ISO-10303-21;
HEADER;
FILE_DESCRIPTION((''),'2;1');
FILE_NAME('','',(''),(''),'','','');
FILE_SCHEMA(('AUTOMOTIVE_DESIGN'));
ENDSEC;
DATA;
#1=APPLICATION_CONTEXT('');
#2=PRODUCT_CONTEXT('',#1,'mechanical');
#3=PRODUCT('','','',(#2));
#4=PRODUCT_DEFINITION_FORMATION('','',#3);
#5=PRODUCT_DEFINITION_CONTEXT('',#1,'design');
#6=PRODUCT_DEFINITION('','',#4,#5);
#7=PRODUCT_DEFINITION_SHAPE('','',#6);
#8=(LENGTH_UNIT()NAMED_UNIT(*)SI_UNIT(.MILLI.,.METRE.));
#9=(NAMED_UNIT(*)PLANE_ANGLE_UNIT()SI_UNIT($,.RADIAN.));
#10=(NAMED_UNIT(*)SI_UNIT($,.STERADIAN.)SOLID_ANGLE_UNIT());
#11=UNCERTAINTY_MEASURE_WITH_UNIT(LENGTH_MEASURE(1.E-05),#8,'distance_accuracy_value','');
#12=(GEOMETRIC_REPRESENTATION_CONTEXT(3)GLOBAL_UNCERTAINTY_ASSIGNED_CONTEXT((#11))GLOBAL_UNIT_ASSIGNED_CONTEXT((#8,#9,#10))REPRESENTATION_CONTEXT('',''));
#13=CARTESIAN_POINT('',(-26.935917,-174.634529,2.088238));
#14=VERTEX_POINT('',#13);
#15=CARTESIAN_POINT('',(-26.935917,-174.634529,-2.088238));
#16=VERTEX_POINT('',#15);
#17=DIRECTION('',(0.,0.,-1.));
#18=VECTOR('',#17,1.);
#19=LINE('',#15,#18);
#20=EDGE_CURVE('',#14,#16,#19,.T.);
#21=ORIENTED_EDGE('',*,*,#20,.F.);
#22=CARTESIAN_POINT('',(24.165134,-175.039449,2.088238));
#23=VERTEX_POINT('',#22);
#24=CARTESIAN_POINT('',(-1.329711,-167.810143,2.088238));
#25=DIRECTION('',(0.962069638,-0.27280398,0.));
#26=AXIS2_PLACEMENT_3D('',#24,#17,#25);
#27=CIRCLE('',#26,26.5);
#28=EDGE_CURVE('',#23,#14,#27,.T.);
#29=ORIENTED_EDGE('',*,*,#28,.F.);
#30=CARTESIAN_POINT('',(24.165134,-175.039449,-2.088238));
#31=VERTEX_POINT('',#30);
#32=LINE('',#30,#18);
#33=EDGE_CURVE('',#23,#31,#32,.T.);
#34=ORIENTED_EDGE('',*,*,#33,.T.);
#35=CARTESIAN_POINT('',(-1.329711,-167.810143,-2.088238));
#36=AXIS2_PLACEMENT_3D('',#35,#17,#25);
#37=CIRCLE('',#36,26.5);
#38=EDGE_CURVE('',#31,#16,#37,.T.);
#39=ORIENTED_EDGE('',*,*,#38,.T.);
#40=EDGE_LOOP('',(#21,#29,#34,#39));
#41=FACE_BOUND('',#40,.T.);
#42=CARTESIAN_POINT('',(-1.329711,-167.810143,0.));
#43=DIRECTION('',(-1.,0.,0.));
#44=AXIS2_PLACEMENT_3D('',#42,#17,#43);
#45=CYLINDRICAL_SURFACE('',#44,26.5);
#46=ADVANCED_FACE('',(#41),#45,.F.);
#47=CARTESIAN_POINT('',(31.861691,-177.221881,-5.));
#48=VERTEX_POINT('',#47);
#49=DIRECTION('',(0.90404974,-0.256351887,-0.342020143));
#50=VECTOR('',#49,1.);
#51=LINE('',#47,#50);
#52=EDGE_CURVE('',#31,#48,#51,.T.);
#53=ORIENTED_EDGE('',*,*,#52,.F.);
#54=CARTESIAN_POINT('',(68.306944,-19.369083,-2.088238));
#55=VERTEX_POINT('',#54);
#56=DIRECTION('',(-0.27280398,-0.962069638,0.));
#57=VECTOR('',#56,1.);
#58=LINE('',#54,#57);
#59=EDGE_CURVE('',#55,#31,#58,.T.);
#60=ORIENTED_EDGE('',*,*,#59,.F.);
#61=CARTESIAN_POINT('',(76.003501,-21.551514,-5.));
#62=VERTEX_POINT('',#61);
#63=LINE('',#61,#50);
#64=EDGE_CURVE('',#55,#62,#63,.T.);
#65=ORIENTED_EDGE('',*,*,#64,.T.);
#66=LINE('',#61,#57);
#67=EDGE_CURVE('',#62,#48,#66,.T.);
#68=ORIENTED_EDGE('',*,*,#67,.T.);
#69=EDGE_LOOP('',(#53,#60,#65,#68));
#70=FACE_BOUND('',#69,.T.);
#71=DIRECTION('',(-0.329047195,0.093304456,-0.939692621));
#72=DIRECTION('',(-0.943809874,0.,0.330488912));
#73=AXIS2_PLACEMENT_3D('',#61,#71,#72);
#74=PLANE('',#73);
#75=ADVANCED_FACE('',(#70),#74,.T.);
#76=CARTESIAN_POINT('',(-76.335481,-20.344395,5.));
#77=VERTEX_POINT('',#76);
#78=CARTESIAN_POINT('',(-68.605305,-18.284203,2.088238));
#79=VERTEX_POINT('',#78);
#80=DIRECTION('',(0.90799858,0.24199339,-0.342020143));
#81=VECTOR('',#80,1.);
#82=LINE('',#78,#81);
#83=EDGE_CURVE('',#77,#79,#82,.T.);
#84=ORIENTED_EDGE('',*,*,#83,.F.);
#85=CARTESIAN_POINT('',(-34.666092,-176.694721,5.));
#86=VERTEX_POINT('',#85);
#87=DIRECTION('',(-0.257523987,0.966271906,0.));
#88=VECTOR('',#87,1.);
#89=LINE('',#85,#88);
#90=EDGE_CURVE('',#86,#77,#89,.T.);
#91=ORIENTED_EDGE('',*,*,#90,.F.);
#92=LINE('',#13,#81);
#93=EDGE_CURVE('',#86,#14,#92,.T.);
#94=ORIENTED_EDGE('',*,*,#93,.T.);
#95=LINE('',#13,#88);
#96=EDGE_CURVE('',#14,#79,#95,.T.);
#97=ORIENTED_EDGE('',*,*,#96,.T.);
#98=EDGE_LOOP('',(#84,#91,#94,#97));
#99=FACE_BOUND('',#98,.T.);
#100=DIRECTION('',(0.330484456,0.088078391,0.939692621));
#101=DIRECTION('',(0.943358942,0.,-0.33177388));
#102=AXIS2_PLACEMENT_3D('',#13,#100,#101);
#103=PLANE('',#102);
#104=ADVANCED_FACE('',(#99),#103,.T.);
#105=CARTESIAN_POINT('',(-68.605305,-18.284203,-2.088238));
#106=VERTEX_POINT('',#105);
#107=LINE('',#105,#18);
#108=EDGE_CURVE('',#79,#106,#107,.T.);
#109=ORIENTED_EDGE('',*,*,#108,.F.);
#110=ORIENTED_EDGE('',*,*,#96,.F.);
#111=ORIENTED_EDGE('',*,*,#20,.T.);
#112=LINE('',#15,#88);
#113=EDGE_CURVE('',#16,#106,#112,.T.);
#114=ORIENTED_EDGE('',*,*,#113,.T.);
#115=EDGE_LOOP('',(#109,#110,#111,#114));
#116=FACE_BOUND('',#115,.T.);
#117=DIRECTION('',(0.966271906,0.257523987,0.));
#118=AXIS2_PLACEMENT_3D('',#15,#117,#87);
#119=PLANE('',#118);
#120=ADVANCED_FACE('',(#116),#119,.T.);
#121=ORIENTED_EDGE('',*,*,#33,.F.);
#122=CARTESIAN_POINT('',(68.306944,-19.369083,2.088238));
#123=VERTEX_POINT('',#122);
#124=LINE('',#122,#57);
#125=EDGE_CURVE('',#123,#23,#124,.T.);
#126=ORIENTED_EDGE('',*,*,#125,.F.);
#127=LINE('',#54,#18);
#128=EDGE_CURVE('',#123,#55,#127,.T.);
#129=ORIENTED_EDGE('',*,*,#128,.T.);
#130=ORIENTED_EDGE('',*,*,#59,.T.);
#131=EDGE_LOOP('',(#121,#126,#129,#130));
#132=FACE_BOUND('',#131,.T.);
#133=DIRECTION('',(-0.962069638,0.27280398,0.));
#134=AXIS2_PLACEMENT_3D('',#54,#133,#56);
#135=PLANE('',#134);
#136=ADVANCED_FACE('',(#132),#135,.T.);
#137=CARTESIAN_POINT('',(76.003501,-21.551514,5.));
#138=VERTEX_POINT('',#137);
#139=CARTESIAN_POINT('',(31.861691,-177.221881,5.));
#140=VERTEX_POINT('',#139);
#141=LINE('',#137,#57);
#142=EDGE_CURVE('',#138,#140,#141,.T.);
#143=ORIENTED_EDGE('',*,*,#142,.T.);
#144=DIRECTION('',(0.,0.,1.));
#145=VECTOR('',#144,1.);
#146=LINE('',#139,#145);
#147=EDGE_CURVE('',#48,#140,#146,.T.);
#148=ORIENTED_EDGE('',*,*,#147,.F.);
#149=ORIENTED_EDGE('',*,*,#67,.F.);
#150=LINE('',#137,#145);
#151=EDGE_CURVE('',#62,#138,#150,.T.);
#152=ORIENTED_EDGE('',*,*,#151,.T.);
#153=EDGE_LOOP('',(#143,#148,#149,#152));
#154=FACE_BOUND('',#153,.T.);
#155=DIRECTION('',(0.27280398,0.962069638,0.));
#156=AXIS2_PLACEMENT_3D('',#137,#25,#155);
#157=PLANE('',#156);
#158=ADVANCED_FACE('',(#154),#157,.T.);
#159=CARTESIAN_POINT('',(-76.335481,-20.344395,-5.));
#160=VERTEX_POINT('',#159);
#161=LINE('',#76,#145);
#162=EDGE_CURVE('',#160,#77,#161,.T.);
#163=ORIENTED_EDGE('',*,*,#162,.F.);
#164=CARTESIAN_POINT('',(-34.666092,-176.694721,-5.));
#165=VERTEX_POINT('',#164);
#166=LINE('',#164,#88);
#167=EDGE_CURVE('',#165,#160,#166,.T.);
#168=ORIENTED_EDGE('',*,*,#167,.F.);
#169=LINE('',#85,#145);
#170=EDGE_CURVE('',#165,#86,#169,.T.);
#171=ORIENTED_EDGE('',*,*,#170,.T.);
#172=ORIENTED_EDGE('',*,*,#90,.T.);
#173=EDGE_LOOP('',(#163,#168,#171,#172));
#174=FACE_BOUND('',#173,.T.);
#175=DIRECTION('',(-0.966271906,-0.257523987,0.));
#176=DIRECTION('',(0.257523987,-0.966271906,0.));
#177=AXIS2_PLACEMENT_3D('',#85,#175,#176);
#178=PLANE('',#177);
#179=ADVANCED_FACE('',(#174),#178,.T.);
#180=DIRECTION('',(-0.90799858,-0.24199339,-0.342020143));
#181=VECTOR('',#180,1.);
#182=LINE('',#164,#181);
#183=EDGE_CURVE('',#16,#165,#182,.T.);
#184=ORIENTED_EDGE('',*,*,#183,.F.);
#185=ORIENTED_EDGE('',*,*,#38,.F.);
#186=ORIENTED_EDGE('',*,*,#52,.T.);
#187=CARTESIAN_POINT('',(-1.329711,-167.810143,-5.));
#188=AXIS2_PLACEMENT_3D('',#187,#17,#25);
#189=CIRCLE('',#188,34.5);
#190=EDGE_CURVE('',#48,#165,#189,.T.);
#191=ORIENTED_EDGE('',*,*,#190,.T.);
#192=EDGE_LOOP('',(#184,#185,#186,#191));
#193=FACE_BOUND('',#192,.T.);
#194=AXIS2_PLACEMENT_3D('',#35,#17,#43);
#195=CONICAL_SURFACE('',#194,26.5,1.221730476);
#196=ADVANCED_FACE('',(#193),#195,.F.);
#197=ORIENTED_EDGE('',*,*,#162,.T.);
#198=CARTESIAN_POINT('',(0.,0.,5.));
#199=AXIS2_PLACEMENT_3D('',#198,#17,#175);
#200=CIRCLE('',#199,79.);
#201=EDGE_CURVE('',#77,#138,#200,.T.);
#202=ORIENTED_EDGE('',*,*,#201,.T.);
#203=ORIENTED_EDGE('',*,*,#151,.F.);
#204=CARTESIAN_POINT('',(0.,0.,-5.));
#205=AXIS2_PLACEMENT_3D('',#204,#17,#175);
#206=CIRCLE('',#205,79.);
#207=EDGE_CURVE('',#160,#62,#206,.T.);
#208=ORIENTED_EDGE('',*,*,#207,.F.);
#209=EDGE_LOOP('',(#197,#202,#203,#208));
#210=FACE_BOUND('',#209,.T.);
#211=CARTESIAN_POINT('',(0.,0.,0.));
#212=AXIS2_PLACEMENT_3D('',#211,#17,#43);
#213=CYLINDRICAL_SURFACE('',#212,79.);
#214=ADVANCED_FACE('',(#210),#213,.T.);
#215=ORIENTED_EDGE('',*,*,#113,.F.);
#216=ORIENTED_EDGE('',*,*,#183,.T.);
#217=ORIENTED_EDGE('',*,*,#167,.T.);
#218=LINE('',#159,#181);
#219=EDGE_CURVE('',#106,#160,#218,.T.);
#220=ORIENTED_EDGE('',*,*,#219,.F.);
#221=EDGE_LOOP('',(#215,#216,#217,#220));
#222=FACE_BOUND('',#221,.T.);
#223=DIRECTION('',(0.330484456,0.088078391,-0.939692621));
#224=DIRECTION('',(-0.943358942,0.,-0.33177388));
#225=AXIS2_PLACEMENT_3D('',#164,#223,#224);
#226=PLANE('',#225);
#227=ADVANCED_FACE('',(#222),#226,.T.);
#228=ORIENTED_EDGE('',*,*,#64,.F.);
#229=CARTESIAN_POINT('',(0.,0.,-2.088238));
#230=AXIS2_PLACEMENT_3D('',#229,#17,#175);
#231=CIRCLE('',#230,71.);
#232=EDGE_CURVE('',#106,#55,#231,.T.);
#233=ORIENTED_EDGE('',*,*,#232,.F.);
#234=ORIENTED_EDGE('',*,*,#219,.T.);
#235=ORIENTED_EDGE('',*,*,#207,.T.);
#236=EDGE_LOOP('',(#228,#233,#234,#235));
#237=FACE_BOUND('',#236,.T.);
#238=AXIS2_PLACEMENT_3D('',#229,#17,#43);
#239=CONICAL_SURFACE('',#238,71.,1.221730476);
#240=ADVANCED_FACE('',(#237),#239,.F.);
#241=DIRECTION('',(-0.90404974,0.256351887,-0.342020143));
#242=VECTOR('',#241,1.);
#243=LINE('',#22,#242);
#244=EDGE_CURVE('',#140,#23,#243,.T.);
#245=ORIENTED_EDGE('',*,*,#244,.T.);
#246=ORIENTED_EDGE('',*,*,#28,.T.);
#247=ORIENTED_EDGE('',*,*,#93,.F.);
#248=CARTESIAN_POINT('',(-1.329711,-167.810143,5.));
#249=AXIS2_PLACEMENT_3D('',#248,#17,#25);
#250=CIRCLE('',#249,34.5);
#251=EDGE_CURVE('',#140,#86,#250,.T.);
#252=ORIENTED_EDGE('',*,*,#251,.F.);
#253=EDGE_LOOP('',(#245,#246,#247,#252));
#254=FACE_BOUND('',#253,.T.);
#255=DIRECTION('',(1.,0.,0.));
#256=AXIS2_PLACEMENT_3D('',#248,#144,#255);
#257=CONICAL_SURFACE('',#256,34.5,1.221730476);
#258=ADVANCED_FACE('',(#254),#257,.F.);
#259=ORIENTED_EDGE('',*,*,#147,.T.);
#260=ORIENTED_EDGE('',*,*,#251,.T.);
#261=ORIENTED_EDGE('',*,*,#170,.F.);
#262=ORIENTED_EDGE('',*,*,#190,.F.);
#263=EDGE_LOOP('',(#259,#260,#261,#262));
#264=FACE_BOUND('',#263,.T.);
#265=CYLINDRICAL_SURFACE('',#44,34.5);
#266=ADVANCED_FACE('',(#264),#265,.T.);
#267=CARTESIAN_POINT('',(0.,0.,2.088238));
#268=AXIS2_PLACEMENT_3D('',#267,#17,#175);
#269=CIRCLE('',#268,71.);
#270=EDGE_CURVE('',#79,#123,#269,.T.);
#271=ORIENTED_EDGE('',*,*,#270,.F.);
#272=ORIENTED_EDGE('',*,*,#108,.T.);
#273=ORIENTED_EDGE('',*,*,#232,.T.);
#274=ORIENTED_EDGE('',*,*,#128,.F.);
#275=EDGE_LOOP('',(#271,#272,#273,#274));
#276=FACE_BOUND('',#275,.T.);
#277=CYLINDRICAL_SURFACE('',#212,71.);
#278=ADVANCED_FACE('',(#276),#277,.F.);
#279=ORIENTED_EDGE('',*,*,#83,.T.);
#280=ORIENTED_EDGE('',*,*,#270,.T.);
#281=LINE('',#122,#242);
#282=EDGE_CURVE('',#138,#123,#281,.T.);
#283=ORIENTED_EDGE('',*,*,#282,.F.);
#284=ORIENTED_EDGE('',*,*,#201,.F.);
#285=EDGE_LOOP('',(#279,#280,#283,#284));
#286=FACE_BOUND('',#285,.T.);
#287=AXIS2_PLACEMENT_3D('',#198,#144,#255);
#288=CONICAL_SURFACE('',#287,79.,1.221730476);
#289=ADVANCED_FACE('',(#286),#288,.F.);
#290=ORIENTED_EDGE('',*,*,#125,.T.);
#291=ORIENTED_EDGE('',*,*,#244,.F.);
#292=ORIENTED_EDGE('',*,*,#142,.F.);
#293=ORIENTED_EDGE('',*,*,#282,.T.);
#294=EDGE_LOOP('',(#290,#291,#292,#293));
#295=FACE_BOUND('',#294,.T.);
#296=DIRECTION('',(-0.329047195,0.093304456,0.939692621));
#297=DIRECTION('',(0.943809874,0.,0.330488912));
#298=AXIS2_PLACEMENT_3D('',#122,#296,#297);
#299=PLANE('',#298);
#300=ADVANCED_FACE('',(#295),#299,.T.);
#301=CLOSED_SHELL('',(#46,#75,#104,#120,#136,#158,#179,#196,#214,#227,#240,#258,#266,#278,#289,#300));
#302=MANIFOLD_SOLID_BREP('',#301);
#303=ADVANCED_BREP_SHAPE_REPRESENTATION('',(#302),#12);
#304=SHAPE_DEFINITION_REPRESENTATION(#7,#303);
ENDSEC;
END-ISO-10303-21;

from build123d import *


with BuildPart() as part:
    # Sweep1: sweep along a path in Sketch2
    with BuildLine(Plane.XY) as sweep1_path:
        Line((67.344874662, -19.096278609), (23.203064289, -174.766644959))
        ThreePointArc((23.203064289, -174.766644959), (-1.531764692, -193.309342954), (-25.969645083, -174.377005127))
        Line((-25.969645083, -174.377005127), (-67.639033418, -18.026679068))
        ThreePointArc((-67.639033418, -18.026679068), (0.554655873, 69.997802515), (67.344874662, -19.096278609))
    # Sketch3 → Sweep1 (sweep)
    with BuildSketch(Plane(origin=(-67.639033418, -18.026679068, 0), x_dir=(0.9662719059747307, 0.25752398669631016, 0), z_dir=(-0.25752398669631016, 0.9662719059747307, 0))):
        Polygon((-1, 2.088238126), (-1, -2.088238126), (-9, -5), (-9, 5), align=None)
    sweep(path=sweep1_path.line)


solid = part.part
